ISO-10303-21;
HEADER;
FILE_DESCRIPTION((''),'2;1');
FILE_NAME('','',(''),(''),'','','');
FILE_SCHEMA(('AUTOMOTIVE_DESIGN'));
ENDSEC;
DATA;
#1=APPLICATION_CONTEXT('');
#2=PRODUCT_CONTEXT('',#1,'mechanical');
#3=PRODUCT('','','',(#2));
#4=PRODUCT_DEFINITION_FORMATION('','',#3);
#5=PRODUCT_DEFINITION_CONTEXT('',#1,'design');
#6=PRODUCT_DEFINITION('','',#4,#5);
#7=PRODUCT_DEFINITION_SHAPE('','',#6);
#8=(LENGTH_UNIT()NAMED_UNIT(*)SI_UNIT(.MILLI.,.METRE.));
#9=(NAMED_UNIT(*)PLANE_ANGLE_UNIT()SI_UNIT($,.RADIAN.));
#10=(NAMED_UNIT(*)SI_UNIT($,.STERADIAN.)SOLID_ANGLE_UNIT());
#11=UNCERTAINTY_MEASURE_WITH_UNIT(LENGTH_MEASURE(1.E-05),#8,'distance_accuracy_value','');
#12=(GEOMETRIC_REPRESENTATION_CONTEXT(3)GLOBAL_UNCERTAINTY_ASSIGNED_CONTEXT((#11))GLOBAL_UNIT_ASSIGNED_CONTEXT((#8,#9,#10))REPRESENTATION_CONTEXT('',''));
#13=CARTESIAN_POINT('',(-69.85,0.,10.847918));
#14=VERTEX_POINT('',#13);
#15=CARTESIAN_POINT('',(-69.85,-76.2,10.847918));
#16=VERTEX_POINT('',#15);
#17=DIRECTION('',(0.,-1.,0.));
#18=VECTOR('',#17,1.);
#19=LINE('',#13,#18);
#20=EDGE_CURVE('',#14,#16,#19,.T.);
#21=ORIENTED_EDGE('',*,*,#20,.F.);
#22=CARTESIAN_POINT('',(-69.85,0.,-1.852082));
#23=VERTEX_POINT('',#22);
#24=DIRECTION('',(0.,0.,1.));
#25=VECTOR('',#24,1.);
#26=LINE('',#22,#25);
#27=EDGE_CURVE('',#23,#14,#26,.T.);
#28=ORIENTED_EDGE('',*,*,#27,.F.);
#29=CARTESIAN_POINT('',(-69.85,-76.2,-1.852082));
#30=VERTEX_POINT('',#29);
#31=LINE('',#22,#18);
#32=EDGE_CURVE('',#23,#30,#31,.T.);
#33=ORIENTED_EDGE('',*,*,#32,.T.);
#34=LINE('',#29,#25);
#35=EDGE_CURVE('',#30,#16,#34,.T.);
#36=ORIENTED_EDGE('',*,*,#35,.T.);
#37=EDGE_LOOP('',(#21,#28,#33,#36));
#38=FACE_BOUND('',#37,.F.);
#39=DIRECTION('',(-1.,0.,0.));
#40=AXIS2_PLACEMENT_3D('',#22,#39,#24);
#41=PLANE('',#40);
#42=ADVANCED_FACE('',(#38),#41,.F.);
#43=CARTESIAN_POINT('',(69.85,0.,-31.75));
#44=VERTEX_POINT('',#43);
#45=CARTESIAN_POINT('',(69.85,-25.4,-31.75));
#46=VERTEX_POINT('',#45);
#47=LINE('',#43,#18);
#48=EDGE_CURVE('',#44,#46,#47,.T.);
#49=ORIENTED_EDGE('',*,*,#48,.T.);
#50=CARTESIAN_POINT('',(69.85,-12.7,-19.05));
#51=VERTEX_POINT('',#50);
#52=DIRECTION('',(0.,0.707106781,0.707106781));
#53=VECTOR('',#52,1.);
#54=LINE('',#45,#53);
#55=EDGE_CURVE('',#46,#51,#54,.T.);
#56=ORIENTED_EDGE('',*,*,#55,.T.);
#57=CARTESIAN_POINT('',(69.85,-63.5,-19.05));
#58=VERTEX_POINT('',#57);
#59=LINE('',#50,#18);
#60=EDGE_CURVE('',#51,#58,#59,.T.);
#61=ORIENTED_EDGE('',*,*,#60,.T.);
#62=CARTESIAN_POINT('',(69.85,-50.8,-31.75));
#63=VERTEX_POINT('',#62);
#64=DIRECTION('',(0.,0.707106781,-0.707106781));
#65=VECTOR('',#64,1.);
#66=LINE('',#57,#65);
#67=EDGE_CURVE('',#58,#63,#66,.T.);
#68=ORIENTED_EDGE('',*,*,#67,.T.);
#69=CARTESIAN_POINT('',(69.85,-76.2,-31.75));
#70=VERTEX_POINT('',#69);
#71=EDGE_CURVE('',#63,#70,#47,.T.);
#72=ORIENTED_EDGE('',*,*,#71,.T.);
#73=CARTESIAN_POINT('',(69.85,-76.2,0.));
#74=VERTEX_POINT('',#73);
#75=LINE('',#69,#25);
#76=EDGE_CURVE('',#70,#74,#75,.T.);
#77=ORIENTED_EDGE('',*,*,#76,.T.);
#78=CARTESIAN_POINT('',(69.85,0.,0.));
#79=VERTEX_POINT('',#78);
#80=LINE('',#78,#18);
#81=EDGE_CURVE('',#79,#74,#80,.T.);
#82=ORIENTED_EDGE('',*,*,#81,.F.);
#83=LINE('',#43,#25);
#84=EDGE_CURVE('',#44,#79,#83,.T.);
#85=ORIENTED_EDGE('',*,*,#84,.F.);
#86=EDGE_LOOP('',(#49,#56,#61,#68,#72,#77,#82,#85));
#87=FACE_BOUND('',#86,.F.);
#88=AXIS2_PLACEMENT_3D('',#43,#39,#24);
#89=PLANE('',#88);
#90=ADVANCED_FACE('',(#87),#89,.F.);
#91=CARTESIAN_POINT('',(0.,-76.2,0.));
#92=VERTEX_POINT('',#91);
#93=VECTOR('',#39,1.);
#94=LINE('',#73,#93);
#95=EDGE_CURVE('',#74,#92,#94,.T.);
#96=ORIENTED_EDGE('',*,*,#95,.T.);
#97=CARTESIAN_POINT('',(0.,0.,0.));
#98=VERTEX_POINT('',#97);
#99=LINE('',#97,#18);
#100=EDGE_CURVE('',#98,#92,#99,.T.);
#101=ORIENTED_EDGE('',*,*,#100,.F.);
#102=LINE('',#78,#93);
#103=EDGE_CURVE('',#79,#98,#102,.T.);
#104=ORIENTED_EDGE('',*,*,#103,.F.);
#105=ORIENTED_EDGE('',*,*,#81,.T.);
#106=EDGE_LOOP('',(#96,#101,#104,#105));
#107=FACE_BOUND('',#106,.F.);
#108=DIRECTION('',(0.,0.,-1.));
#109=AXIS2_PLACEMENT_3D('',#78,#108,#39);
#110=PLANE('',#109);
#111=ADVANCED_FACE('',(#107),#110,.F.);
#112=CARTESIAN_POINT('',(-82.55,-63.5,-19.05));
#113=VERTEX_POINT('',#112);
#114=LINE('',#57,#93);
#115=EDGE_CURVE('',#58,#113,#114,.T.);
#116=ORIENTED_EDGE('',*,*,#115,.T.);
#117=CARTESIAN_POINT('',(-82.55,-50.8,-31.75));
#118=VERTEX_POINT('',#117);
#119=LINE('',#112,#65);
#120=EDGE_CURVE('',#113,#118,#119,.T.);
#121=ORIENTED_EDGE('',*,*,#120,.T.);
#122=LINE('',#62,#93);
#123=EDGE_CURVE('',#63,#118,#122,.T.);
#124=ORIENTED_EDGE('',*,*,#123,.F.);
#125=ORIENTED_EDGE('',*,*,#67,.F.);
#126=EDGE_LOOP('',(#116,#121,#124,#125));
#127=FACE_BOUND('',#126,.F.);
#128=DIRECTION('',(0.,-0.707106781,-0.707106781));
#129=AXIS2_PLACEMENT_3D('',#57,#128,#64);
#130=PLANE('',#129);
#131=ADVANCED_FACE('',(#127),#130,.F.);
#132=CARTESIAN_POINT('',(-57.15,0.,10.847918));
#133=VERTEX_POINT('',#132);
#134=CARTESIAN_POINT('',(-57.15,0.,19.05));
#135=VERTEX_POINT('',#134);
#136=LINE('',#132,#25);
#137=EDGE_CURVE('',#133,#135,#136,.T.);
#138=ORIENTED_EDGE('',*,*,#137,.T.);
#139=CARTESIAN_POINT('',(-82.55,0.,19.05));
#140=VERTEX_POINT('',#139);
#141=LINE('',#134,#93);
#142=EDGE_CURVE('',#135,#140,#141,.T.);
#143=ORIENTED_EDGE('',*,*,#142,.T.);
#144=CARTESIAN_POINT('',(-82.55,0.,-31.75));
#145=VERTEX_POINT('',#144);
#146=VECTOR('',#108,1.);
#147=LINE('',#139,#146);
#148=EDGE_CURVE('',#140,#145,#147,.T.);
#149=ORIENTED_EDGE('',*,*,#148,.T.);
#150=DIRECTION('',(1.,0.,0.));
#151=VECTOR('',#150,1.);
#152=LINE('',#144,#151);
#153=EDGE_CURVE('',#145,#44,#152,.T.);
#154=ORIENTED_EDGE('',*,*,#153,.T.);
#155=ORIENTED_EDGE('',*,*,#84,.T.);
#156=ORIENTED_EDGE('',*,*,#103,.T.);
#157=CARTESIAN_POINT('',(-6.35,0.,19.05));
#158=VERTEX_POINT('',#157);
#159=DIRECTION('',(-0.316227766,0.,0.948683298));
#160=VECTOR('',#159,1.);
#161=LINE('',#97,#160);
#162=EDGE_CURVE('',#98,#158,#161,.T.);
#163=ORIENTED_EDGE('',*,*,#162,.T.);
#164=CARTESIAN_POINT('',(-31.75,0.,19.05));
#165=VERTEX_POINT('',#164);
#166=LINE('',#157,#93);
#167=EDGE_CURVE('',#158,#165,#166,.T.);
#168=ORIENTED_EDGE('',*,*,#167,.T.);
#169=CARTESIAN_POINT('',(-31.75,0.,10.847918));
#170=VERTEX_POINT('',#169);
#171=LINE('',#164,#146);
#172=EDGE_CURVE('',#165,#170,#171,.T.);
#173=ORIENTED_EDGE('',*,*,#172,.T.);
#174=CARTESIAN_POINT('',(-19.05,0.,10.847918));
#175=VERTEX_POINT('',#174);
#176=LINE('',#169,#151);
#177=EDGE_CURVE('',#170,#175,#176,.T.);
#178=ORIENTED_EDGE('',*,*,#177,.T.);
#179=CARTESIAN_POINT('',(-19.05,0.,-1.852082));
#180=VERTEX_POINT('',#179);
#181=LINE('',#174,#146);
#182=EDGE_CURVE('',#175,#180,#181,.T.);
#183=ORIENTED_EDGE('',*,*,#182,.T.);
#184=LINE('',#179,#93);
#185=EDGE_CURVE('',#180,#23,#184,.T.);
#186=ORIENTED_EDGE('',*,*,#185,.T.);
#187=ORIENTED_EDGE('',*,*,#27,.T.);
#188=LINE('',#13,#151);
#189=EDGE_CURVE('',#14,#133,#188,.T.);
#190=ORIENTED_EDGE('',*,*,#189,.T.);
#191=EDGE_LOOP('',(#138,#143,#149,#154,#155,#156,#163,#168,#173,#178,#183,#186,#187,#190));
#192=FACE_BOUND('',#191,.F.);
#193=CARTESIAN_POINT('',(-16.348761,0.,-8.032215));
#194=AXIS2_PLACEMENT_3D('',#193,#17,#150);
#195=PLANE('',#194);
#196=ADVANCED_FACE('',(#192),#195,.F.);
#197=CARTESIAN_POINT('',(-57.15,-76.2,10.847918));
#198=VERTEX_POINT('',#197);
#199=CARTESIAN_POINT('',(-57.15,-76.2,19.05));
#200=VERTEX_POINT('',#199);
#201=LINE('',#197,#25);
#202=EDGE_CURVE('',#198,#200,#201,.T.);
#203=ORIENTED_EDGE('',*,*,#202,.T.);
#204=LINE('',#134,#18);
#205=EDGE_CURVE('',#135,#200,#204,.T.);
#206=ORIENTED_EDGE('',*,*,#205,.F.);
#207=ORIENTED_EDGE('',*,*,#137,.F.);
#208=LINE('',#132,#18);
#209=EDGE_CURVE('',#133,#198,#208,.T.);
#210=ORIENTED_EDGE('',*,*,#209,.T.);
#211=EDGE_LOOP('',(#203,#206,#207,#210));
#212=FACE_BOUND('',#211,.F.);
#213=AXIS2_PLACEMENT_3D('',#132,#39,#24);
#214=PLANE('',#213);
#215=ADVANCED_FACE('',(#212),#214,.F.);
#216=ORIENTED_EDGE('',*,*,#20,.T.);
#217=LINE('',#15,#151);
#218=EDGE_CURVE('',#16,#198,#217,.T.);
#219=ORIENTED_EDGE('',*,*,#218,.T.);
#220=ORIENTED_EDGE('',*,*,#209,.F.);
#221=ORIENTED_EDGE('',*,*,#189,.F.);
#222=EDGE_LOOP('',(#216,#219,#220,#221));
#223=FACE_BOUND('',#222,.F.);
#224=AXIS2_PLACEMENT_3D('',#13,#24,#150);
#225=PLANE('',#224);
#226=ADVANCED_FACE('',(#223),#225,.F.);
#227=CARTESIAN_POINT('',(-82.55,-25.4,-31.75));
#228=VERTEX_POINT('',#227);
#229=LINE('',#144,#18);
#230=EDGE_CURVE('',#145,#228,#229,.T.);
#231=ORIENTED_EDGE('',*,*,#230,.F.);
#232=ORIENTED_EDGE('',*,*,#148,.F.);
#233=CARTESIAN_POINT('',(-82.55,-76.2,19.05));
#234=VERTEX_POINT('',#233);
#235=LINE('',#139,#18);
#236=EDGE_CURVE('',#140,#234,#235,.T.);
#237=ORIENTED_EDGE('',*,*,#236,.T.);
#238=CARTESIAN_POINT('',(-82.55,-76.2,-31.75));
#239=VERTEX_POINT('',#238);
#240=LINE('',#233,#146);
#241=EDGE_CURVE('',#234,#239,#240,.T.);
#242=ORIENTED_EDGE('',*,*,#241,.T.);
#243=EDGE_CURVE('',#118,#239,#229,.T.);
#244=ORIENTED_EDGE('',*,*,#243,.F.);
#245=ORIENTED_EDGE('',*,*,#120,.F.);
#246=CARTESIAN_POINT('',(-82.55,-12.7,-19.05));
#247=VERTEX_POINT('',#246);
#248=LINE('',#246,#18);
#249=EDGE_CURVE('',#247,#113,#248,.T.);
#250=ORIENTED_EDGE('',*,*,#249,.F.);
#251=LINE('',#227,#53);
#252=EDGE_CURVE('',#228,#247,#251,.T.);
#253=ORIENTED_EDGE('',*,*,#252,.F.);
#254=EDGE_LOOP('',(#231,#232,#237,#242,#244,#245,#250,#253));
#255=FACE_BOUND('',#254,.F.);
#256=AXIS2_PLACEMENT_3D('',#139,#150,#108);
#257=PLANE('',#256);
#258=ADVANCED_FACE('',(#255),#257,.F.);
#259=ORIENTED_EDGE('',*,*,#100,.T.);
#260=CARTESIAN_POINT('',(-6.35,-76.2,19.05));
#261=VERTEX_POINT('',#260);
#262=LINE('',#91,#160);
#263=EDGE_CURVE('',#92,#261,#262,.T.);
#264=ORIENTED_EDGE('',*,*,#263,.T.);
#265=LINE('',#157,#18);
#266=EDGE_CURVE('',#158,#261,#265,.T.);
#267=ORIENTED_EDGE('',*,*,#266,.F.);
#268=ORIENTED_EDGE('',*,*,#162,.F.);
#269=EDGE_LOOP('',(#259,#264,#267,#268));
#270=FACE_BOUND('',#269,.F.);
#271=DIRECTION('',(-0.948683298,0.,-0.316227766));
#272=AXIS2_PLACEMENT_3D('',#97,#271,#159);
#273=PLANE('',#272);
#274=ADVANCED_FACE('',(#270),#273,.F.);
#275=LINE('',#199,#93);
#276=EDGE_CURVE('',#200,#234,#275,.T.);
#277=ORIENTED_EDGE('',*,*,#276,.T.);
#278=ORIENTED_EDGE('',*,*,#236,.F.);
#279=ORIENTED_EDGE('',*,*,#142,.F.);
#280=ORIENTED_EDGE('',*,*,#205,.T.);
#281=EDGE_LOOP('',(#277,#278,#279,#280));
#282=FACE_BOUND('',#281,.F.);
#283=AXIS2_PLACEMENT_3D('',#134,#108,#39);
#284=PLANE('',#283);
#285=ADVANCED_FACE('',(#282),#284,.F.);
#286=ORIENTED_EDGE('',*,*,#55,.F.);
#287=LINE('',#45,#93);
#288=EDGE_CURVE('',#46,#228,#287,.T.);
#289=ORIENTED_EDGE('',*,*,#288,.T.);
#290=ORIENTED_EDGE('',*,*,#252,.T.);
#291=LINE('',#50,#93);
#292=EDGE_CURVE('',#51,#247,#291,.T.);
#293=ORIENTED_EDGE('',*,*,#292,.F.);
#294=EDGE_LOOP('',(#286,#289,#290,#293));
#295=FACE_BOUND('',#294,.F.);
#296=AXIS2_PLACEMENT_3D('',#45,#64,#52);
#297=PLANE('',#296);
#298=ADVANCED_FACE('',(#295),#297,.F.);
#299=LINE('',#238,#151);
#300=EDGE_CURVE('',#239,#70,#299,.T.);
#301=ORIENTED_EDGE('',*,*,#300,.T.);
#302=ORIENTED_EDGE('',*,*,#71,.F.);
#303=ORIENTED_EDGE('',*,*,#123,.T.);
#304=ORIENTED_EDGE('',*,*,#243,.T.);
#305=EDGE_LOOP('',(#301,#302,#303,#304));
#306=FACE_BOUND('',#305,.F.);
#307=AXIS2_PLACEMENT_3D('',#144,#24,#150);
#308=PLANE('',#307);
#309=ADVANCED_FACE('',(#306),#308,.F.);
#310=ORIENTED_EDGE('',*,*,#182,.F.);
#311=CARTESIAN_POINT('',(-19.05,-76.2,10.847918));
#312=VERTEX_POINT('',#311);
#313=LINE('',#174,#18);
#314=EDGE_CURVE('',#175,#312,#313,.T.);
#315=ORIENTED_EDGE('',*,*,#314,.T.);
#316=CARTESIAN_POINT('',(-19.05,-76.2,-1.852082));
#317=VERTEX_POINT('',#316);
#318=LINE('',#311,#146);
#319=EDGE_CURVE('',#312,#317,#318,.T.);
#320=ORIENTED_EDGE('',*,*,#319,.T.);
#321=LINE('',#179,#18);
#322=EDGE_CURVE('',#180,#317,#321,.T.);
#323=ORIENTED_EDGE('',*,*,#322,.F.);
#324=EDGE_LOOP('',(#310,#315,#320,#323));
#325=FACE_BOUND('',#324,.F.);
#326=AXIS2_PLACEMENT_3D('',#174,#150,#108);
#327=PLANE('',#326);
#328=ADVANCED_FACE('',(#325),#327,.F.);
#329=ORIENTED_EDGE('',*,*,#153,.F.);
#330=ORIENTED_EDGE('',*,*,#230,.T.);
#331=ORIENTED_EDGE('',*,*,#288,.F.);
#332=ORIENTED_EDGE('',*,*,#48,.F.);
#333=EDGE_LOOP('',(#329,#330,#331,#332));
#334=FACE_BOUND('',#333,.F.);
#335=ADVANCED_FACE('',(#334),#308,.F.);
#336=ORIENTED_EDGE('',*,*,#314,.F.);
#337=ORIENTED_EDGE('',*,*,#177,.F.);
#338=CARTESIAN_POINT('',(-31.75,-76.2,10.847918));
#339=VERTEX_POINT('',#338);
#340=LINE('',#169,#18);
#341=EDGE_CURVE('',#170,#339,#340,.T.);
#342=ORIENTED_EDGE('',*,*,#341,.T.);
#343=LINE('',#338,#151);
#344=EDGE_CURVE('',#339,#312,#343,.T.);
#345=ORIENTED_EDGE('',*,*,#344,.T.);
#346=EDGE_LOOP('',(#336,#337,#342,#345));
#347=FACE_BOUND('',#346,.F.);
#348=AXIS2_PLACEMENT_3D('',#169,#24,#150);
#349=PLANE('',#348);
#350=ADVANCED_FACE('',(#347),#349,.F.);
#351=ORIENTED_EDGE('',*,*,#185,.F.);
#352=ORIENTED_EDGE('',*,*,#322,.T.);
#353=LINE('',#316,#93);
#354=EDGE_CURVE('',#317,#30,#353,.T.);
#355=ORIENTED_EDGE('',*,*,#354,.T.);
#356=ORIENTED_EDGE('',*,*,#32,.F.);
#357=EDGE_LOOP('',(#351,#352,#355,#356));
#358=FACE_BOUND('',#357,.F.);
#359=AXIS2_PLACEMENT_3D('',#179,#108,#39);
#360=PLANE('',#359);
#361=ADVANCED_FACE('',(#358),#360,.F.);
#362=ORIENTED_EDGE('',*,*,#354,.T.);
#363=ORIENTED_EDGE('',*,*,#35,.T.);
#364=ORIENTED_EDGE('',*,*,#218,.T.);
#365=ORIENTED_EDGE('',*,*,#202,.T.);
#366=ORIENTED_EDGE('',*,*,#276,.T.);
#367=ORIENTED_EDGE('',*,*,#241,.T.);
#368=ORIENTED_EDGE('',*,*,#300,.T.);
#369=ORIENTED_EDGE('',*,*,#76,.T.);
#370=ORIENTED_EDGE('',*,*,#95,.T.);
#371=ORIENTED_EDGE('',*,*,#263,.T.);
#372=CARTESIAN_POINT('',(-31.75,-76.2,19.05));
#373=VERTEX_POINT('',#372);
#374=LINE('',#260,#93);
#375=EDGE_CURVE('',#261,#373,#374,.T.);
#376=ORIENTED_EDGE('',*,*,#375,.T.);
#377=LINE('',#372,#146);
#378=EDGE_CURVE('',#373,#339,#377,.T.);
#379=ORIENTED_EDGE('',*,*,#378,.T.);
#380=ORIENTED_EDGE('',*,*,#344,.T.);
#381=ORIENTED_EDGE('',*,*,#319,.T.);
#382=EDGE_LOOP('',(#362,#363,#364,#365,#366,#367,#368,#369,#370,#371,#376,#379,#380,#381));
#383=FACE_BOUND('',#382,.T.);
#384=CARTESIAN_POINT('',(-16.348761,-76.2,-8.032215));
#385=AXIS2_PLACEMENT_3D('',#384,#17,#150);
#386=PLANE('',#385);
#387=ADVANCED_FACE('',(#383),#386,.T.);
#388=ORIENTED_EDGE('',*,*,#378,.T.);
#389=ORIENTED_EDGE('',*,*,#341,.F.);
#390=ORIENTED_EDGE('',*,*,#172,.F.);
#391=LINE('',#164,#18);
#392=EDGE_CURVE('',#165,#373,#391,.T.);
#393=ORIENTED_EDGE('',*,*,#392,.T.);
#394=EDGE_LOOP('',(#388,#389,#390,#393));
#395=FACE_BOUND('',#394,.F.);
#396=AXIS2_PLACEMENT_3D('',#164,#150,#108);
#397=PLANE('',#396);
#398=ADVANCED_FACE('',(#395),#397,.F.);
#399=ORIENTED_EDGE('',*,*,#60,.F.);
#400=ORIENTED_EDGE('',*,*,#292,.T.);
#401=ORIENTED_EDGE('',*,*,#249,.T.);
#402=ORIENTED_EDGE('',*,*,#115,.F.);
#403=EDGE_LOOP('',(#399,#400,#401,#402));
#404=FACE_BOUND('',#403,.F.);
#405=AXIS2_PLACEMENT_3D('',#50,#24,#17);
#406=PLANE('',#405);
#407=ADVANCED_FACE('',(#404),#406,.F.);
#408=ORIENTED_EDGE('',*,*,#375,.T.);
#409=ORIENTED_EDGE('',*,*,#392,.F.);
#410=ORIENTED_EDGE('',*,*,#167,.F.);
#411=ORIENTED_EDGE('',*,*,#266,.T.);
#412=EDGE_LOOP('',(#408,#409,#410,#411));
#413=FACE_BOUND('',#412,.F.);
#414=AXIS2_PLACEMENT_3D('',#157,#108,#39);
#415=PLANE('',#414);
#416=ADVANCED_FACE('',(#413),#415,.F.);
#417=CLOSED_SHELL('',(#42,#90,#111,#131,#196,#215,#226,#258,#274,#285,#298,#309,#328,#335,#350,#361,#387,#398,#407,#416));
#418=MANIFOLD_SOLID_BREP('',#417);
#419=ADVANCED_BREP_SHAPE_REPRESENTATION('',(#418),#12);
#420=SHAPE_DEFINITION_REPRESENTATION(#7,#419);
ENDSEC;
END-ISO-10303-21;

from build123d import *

# Parameters (mm, degrees)
F1_DEPTH = 76.2
F3_DEPTH = 152.4


with BuildPart() as f1:
    # F0 (on Front) → F1 (new body)
    with BuildSketch(Plane.XZ):
        Polygon((-57.15, 19.05), (-82.55, 19.05), (-82.55, -31.75), (69.85, -31.75), (69.85, 0), (0, 0), (-6.35, 19.05), (-31.75, 19.05), (-31.75, 10.847918), (-19.05, 10.847918), (-19.05, -1.852082), (-69.85, -1.852082), (-69.85, 10.847918), (-57.15, 10.847918), align=None)
    extrude(amount=F1_DEPTH)

    # F2 (on face) → F3 (cut)
    with BuildSketch(Plane.YZ.offset(69.85)):
        Polygon((-63.5, -19.05), (-50.8, -31.75), (-25.4, -31.75), (-12.7, -19.05), align=None)
    extrude(amount=-F3_DEPTH, mode=Mode.SUBTRACT)


solid = f1.part
